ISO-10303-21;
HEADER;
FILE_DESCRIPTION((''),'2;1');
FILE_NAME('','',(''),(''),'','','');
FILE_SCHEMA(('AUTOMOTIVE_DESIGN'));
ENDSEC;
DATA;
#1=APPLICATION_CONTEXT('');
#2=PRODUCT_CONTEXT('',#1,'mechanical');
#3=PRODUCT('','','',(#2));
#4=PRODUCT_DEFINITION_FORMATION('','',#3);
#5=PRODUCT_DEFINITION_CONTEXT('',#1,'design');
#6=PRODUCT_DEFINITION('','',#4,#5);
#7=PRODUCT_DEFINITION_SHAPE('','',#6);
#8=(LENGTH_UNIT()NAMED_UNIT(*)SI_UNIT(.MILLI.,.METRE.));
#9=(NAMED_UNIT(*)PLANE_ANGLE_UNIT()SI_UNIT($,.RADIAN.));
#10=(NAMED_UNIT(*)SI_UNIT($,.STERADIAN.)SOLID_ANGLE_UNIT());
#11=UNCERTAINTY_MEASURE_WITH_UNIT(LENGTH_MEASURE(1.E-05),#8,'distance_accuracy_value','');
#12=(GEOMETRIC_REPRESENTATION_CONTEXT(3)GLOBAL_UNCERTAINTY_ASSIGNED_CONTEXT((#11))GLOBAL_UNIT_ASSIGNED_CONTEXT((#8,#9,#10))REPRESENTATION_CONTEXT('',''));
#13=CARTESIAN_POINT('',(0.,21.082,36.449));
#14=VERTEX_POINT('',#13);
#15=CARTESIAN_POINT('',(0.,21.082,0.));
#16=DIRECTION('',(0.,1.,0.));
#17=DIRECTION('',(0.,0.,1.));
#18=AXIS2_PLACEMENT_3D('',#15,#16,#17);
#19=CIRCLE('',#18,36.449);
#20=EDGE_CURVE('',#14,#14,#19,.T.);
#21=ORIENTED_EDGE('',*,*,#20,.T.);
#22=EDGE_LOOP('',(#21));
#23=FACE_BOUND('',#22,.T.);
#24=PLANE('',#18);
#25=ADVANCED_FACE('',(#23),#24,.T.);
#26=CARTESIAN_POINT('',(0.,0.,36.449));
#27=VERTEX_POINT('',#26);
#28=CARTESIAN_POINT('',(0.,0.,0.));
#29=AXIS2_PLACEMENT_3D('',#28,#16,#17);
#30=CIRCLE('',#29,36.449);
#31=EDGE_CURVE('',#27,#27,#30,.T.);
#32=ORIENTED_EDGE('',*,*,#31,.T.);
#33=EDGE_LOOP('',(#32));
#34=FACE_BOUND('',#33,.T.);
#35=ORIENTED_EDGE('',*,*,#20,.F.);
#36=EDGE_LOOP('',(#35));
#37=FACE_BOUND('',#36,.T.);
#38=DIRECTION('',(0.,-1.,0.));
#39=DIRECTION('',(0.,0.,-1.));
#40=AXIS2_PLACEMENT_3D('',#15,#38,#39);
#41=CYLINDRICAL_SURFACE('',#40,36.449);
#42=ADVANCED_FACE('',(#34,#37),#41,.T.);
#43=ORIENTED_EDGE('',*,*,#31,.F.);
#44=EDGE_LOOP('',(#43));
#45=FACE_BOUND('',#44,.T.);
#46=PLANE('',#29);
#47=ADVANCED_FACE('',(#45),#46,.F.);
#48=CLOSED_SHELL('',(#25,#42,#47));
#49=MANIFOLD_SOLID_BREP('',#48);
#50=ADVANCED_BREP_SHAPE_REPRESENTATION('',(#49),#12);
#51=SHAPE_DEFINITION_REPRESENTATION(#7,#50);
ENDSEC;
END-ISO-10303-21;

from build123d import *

# Parameters (mm, degrees)
SKETCH1_R           = 36.449
BOSS_EXTRUDE1_DEPTH = 21.082


with BuildPart() as part:
    # Sketch1 → Boss-Extrude1 (new body)
    with BuildSketch(Plane(origin=(0, 0, 0), x_dir=(1, 0, 0), z_dir=(0, 1, 0))):
        Circle(SKETCH1_R)
    extrude(amount=BOSS_EXTRUDE1_DEPTH)


solid = part.part
